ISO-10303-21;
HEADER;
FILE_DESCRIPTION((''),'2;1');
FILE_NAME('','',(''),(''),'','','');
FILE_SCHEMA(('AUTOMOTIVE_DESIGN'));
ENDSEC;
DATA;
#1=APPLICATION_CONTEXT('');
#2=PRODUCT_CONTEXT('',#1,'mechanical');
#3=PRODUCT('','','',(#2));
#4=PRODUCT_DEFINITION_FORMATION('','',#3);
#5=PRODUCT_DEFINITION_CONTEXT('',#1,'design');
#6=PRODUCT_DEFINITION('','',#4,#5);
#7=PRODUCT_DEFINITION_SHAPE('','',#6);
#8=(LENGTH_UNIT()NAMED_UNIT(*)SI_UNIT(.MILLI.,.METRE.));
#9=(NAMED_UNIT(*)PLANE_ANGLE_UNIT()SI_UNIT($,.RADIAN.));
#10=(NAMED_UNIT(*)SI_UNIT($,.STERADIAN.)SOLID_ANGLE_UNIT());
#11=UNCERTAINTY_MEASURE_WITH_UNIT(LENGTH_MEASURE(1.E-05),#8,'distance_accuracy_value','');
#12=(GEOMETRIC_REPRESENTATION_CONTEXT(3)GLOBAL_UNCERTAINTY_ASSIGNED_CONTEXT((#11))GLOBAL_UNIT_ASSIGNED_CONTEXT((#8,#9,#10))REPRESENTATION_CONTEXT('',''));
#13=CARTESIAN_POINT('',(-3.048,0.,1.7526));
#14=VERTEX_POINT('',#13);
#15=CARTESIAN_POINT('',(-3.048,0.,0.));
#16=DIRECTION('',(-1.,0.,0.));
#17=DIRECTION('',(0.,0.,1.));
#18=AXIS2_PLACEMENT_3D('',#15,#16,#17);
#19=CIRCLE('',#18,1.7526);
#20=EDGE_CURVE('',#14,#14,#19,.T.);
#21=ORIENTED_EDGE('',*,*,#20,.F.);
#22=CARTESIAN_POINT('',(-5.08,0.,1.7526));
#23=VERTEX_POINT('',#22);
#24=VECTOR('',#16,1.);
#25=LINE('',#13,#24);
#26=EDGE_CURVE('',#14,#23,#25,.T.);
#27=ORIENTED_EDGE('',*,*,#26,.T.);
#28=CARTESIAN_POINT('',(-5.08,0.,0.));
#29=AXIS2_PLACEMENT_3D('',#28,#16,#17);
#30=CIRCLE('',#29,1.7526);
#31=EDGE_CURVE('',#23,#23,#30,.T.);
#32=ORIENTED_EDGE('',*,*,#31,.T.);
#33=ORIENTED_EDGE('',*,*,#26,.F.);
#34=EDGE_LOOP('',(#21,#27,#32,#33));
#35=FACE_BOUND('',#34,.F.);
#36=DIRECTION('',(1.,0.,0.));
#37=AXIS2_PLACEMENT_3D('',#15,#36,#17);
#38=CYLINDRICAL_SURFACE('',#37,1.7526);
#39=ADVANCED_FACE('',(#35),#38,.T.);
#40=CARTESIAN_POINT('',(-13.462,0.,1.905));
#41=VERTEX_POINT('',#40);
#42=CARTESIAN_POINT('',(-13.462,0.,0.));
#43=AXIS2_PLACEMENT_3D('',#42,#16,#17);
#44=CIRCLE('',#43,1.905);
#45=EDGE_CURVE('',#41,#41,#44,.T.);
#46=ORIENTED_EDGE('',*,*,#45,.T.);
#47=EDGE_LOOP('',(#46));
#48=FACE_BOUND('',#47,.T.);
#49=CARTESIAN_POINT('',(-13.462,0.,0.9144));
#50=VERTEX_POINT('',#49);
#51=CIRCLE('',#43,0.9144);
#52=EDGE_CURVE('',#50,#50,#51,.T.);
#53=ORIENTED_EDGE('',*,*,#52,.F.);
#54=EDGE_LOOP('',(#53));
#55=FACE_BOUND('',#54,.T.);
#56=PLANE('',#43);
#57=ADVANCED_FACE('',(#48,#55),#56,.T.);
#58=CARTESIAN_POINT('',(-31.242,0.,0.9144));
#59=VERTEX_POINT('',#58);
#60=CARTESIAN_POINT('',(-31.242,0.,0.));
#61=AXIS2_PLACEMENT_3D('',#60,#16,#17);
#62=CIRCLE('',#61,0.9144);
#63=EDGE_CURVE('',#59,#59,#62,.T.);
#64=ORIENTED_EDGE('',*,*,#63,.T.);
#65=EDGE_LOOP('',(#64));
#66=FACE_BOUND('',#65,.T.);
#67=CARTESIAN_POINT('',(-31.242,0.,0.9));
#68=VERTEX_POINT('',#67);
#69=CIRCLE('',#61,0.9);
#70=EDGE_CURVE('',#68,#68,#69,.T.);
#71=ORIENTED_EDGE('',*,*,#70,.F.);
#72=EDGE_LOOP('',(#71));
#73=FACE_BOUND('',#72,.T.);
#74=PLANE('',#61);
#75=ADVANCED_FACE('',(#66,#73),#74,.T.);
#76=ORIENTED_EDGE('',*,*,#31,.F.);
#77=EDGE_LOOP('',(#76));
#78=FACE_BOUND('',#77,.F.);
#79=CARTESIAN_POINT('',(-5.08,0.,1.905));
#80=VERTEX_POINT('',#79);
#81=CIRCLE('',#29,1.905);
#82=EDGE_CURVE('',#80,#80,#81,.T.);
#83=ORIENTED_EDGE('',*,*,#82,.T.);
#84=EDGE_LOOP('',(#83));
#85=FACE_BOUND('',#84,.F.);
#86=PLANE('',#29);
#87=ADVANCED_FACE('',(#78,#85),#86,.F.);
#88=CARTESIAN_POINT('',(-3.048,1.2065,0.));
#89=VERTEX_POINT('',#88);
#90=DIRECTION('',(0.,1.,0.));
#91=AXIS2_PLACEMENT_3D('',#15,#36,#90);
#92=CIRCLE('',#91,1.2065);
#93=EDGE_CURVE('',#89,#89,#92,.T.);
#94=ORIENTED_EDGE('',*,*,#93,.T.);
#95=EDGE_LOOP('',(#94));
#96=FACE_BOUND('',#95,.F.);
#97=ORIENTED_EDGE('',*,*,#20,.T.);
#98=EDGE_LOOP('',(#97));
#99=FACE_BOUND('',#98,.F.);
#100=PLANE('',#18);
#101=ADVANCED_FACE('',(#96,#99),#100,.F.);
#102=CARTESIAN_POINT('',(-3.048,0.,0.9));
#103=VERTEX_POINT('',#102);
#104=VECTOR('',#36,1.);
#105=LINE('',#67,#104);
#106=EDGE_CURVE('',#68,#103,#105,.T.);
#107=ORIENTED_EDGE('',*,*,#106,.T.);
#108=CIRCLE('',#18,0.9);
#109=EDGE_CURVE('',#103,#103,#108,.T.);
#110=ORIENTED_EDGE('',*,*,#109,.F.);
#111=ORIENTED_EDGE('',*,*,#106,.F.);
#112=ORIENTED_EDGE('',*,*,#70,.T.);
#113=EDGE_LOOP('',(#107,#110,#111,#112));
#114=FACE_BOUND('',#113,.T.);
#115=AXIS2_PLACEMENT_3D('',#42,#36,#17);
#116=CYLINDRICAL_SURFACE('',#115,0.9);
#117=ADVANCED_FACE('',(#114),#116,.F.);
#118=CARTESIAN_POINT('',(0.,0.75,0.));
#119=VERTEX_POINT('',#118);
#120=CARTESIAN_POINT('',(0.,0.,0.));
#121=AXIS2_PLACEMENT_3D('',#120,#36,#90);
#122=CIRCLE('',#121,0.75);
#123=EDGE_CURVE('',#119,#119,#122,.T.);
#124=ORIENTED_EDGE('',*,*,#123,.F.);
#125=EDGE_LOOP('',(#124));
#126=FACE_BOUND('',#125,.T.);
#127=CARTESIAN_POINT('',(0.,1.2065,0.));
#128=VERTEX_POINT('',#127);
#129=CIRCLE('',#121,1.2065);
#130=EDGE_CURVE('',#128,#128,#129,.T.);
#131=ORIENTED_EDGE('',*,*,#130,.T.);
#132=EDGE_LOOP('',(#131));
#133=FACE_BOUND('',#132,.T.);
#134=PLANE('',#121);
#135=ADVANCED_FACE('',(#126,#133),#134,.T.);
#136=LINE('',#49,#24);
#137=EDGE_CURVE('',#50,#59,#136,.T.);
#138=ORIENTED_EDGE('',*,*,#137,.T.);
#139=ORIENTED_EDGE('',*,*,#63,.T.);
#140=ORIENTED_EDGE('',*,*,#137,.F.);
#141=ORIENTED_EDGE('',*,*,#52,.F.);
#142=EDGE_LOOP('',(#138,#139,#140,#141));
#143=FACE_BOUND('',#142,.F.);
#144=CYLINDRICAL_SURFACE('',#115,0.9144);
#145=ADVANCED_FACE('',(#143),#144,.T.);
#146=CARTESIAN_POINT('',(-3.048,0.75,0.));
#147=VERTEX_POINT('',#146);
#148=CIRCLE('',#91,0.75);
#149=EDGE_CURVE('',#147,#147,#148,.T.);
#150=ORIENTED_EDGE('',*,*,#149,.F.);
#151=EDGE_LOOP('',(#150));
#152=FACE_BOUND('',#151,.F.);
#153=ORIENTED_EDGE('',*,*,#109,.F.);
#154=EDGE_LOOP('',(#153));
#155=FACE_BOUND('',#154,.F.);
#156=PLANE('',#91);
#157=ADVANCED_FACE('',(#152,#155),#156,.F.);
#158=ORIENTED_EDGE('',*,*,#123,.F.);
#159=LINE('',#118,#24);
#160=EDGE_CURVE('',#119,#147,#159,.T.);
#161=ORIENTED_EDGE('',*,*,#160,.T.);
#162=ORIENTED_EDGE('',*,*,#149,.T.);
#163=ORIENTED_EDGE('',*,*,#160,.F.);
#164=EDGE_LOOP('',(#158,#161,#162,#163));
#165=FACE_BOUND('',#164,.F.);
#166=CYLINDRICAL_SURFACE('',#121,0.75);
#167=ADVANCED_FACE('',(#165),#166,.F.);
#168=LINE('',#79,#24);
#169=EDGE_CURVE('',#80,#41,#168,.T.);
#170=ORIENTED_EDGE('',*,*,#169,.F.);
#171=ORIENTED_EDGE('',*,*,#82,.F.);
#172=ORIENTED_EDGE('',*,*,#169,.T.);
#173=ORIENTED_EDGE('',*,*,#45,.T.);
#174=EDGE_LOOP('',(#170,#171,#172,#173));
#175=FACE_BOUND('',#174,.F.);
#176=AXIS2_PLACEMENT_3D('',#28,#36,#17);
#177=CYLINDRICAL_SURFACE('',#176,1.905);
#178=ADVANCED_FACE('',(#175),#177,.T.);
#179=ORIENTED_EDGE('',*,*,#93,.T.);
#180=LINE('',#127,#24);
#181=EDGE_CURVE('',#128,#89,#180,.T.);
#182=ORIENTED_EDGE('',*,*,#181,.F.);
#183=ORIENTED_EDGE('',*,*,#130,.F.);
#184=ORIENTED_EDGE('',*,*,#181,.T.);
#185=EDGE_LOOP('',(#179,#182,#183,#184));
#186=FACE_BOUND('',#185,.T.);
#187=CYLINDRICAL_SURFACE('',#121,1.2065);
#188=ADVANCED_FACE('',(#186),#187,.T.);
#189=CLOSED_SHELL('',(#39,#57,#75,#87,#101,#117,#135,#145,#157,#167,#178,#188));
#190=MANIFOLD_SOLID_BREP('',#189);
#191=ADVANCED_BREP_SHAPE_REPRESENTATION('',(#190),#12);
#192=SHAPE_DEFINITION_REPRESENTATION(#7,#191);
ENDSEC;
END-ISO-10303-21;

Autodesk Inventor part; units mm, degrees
ref_plane "XZ Plane" through (0, 0, 0) normal (0, 1, 0) x (-1, 0, 0)
sketch "Sketch2" plane through (0, 0, 0) normal (0, 1, 0) x (-1, 0, 0)
  line L0 (0, 0) -> (-5, 0)
  line L1 (-5, 0) -> (-10, 1.6)
  line L2 (-10, 1.6) -> (-15, 1.6)
  dimension "d0" = 1.6
  dimension "d1" = 5
  dimension "d2" = 5
  dimension "d3" = 5
sketch "Sketch3" plane through (0, 0, 0) normal (1, 0, 0) x (0, 1, 0)
  circle A0 centre (0, 0) radius 0.9
  dimension "d4" = 1.8
sweep "Sweep1" [suppressed]
ref_plane "Work Plane1" through (0, 0, 1.6) normal (0, 0, 1) x (1, 0, 0)
sketch "Sketch4" plane through (0, 0, 1.6) normal (0, 0, 1) x (1, 0, 0)
  line L0 (25, -15) -> (25, -66.3933)
  line L1 (0, 0) -> (10, 0)
  arc A0 (25, -15) -> (10, 0) centre (10, -15) ccw
  dimension "d33" = 15
  dimension "d34" = 25
  dimension "d35" = 51.3933
ref_plane "Work Plane2" through (15, 0, 0) normal (1, 0, 0) x (0, 1, 0)
sketch "Sketch5" plane through (15, 0, 0) normal (1, 0, 0) x (0, 1, 0)
  circle A0 centre (0, 1.6) radius 0.9
  point P0 (0, 0)
  dimension "d16" = 1.6
  dimension "d17" = 1.8
sweep "Sweep2" [suppressed]
sketch "Sketch7" plane through (0, 0, 0) normal (1, 0, 0) x (0, 1, 0)
  circle A0 centre (0, 0) radius 0.75
  circle A1 centre (0, 0) radius 1.2065
  dimension "d21" = 2.413
  dimension "d36" = 1.5
extrude "Extrusion1" add sketch "Sketch7" against normal blind 3.048
sketch "Sketch8" plane through (-3.048, 0, 0) normal (-1, 0, 0) x (0, 0, 1)
  circle A0 centre (0, 0) radius 0.9 projected
  circle A1 centre (0, 0) radius 1.2065 projected
  circle A2 centre (0, 0) radius 1.7526
  dimension "d24" = 3.5052
extrude "Extrusion2" add sketch "Sketch8" along normal blind 2.032 contours A1 | A2
sketch "Sketch9" plane through (-5.08, 0, 0) normal (-1, 0, 0) x (0, 0, 1)
  circle A0 centre (0, 0) radius 0.9 projected
  circle A1 centre (0, 0) radius 1.7526 projected
  circle A2 centre (0, 0) radius 1.905
  dimension "d27" = 3.81
extrude "Extrusion3" add sketch "Sketch9" along normal blind 8.382 contours A1 | A2
sketch "Sketch10" plane through (-13.462, 0, 0) normal (-1, 0, 0) x (0, 0, 1)
  circle A0 centre (0, 0) radius 0.9 projected
  circle A1 centre (0, 0) radius 1.905 projected
  circle A2 centre (0, 0) radius 0.9144
  dimension "d30" = 1.8288
extrude "Extr_RG-178_72mils" add sketch "Sketch10" along normal blind 17.78 contours A2
properties part number "mmcx_coax_tip"
